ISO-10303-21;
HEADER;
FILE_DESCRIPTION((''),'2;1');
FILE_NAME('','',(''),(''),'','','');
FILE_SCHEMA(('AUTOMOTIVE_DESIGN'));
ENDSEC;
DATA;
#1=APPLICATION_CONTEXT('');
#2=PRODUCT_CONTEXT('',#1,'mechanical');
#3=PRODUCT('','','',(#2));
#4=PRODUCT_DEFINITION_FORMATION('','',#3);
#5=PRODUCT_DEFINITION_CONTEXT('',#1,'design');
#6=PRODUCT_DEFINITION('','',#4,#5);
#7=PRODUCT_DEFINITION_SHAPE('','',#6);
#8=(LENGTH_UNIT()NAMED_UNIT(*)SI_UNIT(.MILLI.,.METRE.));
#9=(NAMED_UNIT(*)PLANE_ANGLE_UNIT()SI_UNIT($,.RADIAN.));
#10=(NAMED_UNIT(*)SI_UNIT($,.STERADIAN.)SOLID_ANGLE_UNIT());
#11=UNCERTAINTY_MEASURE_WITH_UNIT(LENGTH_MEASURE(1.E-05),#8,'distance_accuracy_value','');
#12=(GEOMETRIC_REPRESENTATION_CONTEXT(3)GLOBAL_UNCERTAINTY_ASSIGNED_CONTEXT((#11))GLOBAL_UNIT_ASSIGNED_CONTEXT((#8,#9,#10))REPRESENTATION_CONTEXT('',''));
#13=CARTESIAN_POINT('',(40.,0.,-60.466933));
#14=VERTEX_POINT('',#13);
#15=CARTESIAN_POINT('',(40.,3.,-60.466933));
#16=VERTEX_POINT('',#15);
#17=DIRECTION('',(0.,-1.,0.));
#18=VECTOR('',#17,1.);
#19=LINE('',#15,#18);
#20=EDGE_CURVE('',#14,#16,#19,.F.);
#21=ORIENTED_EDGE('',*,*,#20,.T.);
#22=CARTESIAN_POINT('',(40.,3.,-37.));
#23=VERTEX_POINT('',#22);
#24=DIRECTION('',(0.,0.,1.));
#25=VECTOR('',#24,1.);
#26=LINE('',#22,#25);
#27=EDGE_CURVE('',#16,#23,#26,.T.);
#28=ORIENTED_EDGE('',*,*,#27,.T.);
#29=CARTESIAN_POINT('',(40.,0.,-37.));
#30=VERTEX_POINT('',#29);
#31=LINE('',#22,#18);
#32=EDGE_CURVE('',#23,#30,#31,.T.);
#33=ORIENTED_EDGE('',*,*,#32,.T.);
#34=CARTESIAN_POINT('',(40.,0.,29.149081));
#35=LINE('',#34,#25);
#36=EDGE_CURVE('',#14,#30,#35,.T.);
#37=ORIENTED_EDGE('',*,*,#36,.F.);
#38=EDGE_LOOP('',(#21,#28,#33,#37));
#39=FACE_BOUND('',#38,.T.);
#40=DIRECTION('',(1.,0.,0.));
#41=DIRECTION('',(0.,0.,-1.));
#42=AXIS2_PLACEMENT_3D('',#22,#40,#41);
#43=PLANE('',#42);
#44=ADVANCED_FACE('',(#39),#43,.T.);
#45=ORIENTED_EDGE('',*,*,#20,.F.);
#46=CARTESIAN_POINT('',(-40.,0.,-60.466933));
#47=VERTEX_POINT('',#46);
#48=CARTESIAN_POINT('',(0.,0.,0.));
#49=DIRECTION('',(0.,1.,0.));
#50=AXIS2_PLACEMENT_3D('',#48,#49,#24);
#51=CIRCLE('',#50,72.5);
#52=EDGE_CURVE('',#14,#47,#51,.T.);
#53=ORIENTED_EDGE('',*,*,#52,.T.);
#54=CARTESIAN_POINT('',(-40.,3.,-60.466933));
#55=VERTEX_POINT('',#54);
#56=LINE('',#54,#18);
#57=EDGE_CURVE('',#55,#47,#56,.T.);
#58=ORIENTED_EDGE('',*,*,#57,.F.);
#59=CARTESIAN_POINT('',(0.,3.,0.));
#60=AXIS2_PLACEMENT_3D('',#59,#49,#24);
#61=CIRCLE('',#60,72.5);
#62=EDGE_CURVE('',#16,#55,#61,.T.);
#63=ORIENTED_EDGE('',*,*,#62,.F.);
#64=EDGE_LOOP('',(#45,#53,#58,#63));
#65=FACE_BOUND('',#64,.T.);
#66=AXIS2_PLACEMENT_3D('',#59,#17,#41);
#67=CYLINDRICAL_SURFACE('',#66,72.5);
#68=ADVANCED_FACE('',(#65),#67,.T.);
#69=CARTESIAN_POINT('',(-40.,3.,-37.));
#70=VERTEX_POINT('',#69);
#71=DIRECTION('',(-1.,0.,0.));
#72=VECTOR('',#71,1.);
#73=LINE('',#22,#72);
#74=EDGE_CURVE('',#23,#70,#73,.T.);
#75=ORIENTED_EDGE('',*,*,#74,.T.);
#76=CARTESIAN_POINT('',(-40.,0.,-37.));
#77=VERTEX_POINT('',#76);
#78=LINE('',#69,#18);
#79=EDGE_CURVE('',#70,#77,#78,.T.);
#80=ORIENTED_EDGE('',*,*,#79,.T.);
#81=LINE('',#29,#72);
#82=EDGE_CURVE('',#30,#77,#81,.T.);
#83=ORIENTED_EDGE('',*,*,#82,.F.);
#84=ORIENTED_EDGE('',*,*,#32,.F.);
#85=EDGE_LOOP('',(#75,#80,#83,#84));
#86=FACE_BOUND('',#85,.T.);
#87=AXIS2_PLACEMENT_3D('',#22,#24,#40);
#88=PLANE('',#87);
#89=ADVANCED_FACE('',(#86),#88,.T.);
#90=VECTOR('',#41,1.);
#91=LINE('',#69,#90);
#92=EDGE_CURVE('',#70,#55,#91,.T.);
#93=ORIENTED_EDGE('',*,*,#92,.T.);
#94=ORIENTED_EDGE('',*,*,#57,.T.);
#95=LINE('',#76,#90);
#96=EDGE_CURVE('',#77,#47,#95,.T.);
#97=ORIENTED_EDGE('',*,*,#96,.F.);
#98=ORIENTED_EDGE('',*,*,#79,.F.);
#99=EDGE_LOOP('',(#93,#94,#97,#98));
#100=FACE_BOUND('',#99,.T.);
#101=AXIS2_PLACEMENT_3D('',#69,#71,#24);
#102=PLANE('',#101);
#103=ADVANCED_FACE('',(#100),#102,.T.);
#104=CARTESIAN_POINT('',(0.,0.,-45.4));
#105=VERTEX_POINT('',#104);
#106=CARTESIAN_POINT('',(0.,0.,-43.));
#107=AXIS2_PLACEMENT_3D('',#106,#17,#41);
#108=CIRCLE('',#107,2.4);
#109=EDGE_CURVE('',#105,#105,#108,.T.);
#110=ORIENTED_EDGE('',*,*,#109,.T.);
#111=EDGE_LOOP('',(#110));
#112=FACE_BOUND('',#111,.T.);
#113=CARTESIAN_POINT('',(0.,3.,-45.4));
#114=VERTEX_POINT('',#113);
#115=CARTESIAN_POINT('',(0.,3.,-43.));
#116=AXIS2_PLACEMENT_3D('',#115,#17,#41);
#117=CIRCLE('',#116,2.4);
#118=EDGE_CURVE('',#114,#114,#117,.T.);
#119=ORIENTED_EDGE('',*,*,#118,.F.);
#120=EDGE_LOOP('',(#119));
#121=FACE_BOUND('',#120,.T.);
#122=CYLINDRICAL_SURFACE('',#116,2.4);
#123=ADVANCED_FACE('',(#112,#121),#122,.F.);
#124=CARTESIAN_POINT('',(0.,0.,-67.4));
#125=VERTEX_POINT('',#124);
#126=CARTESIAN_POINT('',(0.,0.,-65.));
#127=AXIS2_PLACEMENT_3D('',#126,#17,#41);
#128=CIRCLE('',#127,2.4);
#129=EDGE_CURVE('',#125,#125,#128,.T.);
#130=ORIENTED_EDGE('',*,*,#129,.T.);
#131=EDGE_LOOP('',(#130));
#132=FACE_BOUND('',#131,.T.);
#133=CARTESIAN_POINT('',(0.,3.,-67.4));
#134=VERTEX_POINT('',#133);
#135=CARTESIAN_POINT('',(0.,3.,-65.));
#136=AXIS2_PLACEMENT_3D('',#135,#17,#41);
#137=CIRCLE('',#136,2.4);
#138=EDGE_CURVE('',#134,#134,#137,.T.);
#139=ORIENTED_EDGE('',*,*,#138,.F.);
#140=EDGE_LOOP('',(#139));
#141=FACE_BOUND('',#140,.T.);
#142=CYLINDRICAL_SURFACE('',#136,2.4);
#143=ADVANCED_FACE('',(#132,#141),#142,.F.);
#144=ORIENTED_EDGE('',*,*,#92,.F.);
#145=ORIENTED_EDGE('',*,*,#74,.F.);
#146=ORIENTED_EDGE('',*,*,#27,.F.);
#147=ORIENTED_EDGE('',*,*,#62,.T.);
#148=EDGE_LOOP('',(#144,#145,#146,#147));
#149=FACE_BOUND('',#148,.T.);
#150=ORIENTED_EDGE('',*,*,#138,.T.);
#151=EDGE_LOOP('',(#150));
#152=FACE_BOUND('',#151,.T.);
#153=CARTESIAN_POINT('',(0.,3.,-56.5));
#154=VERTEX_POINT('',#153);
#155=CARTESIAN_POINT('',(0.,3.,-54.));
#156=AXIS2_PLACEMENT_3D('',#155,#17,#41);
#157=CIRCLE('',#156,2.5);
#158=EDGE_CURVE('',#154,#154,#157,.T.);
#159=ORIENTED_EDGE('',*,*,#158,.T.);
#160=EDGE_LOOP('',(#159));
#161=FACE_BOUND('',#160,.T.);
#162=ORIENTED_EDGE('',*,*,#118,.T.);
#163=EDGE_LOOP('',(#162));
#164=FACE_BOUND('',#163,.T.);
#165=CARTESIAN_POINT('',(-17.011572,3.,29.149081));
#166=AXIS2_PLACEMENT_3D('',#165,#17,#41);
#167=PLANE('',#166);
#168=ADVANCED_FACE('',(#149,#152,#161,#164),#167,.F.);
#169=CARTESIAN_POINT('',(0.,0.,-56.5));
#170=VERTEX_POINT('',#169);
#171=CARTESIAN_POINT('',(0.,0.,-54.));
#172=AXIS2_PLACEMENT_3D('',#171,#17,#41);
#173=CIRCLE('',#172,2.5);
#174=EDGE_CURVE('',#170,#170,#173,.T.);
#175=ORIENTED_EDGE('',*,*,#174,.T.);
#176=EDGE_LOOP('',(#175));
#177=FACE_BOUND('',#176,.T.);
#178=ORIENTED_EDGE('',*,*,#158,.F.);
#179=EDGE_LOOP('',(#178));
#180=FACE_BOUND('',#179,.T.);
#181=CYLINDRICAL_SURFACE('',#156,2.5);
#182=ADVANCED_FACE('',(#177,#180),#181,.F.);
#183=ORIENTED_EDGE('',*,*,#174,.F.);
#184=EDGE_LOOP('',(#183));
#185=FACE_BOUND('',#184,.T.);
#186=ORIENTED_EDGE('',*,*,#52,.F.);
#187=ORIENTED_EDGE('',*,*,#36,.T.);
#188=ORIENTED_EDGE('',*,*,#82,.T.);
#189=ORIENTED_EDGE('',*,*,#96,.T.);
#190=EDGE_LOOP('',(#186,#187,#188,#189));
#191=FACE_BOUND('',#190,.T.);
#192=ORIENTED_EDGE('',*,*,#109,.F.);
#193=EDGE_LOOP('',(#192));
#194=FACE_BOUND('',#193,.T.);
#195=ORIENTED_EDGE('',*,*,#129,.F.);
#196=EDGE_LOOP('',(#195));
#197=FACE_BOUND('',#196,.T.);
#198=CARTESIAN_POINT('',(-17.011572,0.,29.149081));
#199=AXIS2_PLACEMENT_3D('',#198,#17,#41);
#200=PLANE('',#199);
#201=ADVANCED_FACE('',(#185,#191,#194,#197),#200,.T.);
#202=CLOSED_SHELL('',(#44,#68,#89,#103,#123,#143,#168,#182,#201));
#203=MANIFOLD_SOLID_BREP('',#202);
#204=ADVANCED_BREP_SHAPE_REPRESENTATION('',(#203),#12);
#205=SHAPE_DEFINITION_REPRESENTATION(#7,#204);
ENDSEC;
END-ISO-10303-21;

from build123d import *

# Parameters (mm, degrees)
BOSS_EXTRUDE1_DEPTH  = 3
SKETCH11_OUTSIDE_W   = 186.736
SKETCH11_OUTSIDE_H   = 177.534
SKETCH11_OUTSIDE_W_2 = 80
SKETCH11_OUTSIDE_H_2 = 40
CUT_EXTRUDE13_DEPTH  = 103.574363269
SKETCH12_R           = 2.4
CUT_EXTRUDE15_DEPTH  = 83.856804186
SKETCH13_R           = 2.5
CUT_EXTRUDE16_DEPTH  = 83.856804186


with BuildPart() as part:
    # Sketch1 → Boss-Extrude1 (new body)
    with BuildSketch(Plane(origin=(0, 0, 0), x_dir=(1, 0, 0), z_dir=(0, 1, 0))):
        with BuildLine():
            ThreePointArc((36.543377003, -62.616544118), (0, 72.5), (-36.543377003, -62.616544118))
            ThreePointArc((-36.543377003, -62.616544118), (-33.085954668, -63.20954405), (-30.089832649, -61.38507948))
            ThreePointArc((-30.089832649, -61.38507948), (0, -46.75), (30.089832649, -61.38507948))
            ThreePointArc((30.089832649, -61.38507948), (33.085954668, -63.20954405), (36.543377003, -62.616544118))
        make_face()
    extrude(amount=BOSS_EXTRUDE1_DEPTH)

    # Sketch11 outside → Cut-Extrude13 (cut, through all)
    with BuildSketch(Plane.XZ):
        with Locations((0, -4.601)):
            Rectangle(SKETCH11_OUTSIDE_W, SKETCH11_OUTSIDE_H)
        with Locations((0, -57)):
            Rectangle(SKETCH11_OUTSIDE_W_2, SKETCH11_OUTSIDE_H_2, mode=Mode.SUBTRACT)
    extrude(amount=-CUT_EXTRUDE13_DEPTH, mode=Mode.SUBTRACT)

    # Sketch12 → Cut-Extrude15 (cut, through all)
    with BuildSketch(Plane.XZ):
        with Locations(Location((0, -65, 0), (0, 0, 270))):
            Circle(SKETCH12_R)
        with Locations(Location((0, -43, 0), (0, 0, 270))):
            Circle(SKETCH12_R)
    extrude(amount=-CUT_EXTRUDE15_DEPTH, mode=Mode.SUBTRACT)

    # Sketch13 → Cut-Extrude16 (cut, through all)
    with BuildSketch(Plane.XZ):
        with Locations(Location((0, -54, 0), (0, 0, 270))):
            Circle(SKETCH13_R)
    extrude(amount=-CUT_EXTRUDE16_DEPTH, mode=Mode.SUBTRACT)


solid = part.part
